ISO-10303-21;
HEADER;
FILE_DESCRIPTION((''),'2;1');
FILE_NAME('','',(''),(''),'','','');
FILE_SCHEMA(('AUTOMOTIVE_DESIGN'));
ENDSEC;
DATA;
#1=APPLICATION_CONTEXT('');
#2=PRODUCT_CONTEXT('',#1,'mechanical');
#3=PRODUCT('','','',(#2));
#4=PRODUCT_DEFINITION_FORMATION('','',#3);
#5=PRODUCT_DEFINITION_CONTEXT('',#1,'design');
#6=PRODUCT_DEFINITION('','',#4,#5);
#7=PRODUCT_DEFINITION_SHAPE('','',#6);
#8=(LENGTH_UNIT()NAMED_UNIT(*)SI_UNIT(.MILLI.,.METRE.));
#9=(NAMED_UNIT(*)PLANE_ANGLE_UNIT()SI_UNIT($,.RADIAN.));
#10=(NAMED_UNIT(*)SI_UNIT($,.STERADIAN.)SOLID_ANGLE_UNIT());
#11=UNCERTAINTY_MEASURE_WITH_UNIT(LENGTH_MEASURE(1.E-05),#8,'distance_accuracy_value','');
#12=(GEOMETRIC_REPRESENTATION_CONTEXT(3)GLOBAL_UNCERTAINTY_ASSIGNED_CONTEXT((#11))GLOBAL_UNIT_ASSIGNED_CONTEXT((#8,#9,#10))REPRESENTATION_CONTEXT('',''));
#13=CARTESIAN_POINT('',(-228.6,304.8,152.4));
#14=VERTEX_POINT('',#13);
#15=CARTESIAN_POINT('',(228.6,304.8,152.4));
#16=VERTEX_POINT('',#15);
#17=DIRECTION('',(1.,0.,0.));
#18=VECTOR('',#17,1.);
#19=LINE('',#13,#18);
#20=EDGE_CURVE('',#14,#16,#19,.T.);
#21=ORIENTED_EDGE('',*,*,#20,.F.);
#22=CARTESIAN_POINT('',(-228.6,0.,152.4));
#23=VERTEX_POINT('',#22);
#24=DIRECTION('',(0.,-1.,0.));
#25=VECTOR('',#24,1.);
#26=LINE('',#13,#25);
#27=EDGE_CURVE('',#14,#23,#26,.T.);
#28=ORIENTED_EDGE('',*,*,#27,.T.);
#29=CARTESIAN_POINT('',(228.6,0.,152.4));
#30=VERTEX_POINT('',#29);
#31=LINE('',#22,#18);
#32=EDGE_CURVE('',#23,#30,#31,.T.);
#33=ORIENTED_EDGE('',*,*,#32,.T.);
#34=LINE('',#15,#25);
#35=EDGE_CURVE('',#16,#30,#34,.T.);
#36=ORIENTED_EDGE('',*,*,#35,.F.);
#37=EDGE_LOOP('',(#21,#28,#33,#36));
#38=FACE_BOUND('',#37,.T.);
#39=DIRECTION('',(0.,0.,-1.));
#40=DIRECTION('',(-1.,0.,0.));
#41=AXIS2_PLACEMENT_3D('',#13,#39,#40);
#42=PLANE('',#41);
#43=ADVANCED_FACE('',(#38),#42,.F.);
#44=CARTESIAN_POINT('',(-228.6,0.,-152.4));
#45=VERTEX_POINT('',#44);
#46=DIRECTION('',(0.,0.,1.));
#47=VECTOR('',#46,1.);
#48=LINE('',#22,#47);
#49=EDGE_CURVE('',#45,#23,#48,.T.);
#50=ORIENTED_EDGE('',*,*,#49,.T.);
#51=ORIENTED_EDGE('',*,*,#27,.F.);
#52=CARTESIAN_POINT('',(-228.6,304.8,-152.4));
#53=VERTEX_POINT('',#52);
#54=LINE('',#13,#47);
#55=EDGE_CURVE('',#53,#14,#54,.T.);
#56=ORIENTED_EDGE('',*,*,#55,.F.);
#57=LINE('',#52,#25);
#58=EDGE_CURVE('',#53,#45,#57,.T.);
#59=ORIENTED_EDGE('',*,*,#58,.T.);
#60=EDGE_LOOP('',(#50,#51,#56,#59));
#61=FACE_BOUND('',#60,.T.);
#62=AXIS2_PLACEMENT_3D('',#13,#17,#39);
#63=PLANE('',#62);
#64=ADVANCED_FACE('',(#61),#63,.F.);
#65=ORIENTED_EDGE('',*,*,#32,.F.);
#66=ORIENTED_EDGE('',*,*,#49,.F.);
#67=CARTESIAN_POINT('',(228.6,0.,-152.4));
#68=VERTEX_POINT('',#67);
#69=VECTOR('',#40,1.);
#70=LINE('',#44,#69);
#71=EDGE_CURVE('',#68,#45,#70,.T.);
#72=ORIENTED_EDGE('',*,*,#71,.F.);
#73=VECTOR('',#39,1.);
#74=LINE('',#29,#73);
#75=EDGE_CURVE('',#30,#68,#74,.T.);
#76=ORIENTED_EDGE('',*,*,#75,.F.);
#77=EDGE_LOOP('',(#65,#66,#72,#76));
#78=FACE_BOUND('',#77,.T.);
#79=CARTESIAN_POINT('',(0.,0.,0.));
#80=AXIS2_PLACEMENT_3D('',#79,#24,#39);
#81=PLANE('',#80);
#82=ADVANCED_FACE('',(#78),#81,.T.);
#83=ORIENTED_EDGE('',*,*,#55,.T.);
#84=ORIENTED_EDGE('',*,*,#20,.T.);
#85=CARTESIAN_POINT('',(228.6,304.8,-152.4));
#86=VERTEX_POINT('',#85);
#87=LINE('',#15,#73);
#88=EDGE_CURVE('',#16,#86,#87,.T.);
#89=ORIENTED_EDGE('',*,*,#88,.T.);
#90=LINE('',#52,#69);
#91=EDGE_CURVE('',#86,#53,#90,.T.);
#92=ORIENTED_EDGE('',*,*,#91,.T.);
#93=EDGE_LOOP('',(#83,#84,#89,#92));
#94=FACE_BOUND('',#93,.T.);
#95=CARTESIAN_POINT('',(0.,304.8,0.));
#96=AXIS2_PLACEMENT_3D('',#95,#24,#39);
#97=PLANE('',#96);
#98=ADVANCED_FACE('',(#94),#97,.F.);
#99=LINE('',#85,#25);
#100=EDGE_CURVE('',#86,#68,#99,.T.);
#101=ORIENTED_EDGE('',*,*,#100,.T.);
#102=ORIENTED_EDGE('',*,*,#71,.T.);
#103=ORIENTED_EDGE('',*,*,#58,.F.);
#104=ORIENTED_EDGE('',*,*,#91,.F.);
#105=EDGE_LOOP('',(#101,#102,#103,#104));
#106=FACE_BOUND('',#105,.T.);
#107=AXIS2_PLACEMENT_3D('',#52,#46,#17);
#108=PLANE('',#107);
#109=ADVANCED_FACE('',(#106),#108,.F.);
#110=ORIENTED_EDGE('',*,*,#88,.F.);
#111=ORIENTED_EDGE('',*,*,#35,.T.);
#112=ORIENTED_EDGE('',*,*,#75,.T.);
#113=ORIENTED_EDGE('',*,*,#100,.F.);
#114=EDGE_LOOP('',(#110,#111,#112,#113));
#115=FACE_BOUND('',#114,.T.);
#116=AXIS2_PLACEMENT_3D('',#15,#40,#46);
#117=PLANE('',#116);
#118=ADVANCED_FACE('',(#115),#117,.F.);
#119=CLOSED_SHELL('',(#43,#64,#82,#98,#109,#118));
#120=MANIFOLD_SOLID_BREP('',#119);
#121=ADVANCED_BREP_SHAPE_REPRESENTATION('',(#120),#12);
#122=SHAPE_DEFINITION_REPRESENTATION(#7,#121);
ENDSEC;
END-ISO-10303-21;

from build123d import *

# Parameters (mm, degrees)
SKETCH2_W           = 457.2
SKETCH2_H           = 304.8
BOSS_EXTRUDE1_DEPTH = 304.8


with BuildPart() as part:
    # Sketch2 → Boss-Extrude1 (new body)
    with BuildSketch(Plane(origin=(0, 0, 0), x_dir=(1, 0, 0), z_dir=(0, 1, 0))):
        Rectangle(SKETCH2_W, SKETCH2_H)
    extrude(amount=BOSS_EXTRUDE1_DEPTH)


solid = part.part
